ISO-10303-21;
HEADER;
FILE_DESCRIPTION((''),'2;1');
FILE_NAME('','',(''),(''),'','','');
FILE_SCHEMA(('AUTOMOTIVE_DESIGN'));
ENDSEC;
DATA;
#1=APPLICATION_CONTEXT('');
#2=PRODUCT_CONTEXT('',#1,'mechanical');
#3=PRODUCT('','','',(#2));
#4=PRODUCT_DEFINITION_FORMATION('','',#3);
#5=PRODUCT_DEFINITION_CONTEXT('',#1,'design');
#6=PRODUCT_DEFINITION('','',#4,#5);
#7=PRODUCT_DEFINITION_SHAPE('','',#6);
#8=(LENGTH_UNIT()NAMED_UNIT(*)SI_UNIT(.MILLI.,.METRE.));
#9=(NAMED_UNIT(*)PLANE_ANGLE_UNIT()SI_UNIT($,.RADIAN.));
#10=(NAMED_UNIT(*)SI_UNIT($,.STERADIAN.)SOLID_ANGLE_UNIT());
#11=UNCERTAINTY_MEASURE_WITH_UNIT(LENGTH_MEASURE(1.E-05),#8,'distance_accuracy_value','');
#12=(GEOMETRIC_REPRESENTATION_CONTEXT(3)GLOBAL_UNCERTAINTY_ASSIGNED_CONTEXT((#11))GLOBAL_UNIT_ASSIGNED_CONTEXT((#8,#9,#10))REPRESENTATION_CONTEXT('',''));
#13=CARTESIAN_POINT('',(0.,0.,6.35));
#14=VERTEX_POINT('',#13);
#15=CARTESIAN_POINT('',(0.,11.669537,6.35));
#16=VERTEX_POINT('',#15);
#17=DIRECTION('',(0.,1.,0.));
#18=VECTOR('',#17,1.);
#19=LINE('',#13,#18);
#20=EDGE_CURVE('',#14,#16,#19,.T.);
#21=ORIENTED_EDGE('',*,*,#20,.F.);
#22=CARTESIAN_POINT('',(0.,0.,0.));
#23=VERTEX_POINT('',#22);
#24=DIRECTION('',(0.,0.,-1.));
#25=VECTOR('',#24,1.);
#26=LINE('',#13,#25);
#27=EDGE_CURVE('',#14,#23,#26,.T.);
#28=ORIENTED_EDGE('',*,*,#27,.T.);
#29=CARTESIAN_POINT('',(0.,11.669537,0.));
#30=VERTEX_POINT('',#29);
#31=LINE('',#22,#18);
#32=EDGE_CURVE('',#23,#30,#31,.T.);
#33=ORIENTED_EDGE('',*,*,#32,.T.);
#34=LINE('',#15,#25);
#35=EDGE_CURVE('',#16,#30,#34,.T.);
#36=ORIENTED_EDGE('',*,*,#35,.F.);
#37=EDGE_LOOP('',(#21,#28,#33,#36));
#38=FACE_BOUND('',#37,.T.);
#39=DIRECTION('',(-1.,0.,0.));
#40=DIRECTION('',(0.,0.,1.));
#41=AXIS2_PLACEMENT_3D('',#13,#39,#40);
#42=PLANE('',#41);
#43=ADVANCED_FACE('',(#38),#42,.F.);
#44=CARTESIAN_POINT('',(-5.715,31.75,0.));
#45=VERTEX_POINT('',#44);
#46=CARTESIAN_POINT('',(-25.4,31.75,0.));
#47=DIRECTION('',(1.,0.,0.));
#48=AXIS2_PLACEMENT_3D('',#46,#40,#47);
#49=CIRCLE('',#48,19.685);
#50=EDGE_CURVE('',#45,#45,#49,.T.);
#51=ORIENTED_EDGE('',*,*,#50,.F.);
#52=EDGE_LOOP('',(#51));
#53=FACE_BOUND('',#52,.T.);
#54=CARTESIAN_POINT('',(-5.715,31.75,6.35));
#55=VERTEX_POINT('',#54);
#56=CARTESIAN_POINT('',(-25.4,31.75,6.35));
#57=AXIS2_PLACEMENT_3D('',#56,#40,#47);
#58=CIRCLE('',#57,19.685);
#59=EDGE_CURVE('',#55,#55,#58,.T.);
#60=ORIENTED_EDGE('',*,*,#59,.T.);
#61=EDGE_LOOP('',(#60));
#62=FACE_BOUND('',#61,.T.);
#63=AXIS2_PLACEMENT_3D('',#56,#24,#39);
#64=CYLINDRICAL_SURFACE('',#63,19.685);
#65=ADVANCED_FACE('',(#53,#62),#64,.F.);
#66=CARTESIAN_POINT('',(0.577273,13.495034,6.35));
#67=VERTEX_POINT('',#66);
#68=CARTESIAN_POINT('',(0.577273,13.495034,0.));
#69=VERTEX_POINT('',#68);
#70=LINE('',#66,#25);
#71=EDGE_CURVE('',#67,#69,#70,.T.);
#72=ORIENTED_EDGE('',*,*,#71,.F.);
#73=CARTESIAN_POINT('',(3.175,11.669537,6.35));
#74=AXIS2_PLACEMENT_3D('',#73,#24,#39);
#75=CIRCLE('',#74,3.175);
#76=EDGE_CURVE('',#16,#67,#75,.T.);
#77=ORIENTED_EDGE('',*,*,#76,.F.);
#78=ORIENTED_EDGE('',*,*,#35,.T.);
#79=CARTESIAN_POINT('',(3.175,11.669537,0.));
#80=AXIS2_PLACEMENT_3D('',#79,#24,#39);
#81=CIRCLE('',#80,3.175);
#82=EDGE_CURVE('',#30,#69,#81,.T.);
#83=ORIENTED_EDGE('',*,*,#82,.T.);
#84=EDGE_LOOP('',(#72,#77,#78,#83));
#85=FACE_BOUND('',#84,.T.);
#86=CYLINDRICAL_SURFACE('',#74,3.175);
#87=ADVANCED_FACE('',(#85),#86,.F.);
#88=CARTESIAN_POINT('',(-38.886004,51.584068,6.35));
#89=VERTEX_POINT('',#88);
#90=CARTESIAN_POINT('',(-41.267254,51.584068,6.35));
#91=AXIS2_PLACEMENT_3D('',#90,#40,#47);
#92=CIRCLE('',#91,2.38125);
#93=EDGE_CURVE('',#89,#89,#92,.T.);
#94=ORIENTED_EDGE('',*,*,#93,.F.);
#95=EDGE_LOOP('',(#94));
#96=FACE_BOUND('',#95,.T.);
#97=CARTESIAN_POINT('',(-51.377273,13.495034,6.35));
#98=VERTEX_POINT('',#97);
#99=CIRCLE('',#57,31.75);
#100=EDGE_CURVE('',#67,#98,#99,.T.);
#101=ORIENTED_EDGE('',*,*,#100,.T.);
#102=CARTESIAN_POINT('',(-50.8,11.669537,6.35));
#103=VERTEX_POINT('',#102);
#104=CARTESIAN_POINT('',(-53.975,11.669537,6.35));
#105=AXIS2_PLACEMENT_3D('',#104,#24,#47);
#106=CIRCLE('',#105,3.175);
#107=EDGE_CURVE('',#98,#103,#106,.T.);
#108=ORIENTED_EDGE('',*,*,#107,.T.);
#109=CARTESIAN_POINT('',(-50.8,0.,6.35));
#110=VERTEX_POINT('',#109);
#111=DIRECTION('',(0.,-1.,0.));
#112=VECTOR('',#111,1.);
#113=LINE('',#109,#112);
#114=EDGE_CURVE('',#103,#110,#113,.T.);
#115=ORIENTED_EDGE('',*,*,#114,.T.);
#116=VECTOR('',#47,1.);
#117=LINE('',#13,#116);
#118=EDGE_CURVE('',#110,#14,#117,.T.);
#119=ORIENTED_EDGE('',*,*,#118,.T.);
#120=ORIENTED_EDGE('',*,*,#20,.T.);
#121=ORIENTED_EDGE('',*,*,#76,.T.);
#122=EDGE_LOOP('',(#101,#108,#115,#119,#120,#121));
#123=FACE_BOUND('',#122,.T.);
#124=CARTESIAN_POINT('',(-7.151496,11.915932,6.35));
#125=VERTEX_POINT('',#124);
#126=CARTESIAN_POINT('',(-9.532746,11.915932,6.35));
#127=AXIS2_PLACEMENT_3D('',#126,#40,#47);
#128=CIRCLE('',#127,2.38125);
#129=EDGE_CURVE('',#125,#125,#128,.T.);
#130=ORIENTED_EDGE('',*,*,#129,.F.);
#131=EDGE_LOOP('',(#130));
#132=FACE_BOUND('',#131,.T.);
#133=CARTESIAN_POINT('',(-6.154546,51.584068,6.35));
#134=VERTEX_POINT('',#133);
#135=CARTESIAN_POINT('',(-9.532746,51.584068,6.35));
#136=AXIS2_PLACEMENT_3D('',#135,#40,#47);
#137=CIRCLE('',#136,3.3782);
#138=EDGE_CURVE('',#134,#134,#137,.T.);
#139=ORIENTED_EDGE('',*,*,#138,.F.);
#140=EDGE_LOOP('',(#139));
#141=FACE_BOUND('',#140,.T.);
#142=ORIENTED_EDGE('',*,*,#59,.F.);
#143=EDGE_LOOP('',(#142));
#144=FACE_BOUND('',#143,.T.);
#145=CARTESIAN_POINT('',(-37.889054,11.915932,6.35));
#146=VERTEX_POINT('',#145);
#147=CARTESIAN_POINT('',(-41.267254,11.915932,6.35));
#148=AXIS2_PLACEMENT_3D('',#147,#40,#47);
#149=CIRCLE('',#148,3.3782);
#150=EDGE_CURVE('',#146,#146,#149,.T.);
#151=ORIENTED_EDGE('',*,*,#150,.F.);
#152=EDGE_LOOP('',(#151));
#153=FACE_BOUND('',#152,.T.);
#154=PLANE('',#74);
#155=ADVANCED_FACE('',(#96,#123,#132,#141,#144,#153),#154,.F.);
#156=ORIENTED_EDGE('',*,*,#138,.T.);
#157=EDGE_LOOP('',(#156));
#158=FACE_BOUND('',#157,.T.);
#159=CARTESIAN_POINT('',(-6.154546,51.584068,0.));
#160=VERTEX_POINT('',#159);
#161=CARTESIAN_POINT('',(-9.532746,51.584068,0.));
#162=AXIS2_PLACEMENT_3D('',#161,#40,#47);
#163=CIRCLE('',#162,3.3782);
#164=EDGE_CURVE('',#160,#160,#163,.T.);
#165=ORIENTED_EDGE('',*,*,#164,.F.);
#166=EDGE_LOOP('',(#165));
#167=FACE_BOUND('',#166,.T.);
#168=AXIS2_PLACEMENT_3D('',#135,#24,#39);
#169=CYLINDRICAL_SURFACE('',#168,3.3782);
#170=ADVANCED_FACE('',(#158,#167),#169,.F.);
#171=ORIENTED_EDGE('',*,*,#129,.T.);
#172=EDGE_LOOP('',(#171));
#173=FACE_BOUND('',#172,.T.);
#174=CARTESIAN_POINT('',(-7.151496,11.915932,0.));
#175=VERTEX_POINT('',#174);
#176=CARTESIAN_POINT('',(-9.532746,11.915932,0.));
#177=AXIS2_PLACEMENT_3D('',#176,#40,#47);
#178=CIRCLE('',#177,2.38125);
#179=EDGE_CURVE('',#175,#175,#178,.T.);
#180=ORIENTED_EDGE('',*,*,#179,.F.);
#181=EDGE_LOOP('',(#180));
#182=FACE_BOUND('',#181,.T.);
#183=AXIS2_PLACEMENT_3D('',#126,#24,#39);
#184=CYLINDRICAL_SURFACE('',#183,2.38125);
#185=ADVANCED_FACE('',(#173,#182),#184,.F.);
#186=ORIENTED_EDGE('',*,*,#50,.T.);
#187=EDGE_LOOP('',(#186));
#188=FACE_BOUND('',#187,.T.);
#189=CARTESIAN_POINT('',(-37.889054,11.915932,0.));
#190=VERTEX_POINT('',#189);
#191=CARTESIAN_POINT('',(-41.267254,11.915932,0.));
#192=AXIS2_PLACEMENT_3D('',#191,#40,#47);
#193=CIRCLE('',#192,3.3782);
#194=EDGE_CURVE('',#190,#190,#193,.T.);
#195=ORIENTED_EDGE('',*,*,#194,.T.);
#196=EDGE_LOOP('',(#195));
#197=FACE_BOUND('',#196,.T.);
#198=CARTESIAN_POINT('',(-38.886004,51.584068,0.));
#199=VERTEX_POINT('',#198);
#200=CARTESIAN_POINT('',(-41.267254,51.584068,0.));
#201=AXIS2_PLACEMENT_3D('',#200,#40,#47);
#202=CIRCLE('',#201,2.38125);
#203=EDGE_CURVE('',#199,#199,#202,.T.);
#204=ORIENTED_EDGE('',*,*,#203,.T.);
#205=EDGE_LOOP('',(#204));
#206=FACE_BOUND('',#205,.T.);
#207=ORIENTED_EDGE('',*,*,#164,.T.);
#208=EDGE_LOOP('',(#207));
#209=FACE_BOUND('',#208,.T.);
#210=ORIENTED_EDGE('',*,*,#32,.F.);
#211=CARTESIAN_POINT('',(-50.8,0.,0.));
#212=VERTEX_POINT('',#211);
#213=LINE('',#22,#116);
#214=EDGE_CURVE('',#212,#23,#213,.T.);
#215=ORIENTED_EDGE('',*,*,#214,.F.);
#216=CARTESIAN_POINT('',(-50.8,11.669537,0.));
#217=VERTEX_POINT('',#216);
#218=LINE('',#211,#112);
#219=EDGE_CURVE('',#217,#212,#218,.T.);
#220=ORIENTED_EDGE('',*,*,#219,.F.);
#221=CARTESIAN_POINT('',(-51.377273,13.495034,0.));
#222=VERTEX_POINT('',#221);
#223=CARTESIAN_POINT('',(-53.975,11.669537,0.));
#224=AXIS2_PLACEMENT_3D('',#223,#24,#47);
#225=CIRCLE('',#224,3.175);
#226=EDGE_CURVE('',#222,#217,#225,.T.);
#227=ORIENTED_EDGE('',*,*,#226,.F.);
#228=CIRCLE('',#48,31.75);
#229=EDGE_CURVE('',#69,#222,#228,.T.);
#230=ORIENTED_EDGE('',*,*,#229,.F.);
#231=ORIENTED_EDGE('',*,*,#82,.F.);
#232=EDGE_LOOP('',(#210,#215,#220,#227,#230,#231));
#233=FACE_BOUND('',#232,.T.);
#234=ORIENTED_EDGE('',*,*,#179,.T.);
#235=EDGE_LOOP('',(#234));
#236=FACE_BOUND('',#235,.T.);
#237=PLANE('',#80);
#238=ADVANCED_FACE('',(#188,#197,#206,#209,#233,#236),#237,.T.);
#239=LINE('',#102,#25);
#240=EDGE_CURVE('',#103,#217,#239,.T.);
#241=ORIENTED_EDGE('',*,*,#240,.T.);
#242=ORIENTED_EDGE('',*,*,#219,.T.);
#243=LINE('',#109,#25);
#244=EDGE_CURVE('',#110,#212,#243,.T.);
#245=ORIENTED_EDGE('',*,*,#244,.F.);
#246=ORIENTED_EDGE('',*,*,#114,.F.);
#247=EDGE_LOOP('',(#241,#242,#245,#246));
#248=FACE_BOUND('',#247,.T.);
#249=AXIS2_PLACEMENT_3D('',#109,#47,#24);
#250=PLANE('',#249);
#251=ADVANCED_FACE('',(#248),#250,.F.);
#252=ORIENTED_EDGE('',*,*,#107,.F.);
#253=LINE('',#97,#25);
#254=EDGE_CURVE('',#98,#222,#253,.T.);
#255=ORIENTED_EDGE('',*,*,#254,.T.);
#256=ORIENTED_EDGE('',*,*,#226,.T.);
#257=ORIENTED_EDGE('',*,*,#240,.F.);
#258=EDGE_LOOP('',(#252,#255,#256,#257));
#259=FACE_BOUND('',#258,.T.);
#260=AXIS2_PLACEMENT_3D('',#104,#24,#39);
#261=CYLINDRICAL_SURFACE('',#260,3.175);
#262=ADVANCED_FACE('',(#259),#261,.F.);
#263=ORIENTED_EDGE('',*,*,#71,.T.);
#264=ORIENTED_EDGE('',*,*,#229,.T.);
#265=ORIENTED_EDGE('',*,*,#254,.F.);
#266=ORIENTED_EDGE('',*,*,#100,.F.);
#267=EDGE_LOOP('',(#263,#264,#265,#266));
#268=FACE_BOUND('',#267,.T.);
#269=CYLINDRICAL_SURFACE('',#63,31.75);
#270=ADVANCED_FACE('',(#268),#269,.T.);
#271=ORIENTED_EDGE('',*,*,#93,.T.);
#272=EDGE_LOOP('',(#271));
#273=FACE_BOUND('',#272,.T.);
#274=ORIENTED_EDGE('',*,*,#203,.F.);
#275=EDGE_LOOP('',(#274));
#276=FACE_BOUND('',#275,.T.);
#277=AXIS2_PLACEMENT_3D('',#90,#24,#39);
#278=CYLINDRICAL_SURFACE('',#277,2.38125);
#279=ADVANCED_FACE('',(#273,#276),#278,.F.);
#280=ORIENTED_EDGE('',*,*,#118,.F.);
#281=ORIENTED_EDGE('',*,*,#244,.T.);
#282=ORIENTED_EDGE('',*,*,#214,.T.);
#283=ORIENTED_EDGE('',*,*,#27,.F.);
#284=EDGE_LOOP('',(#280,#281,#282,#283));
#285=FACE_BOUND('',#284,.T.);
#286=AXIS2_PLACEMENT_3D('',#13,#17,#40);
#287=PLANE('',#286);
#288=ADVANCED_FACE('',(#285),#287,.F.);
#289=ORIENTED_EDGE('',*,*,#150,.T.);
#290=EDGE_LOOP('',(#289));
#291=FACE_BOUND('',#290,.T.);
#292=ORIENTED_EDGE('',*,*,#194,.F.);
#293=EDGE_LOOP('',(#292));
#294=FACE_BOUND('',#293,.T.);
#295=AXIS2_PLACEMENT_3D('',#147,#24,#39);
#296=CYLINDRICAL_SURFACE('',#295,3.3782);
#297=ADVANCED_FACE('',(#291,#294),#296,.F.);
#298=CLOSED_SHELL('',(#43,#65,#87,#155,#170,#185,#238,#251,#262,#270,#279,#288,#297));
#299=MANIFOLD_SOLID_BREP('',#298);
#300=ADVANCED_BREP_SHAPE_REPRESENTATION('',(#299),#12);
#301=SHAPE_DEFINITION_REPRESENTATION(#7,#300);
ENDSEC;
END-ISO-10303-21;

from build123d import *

# Parameters (mm, degrees)
SKETCH1_R           = 19.685
SKETCH1_R_2         = 2.38125
SKETCH1_R_3         = 3.3782
BOSS_EXTRUDE1_DEPTH = 6.35


with BuildPart() as part:
    # Sketch1 → Boss-Extrude1 (new body)
    with BuildSketch(Plane.XY):
        with BuildLine():
            Line((0, 0), (-50.8, 0))
            Line((-50.8, 0), (-50.8, 11.669536858))
            ThreePointArc((-50.8, 11.669536858), (-50.947756279, 12.626835377), (-51.377272727, 13.495033507))
            ThreePointArc((-51.377272727, 13.495033507), (-25.4, 63.5), (0.577272727, 13.495033507))
            ThreePointArc((0.577272727, 13.495033507), (0.147756279, 12.626835377), (0, 11.669536858))
            Line((0, 11.669536858), (0, 0))
        make_face()
        with Locations((-25.4, 31.75)):
            Circle(SKETCH1_R, mode=Mode.SUBTRACT)
        with Locations((-41.267254208, 51.58406776)):
            Circle(SKETCH1_R_2, mode=Mode.SUBTRACT)
        with Locations((-9.532745792, 51.58406776)):
            Circle(SKETCH1_R_3, mode=Mode.SUBTRACT)
        with Locations((-9.532745792, 11.91593224)):
            Circle(SKETCH1_R_2, mode=Mode.SUBTRACT)
        with Locations((-41.267254208, 11.91593224)):
            Circle(SKETCH1_R_3, mode=Mode.SUBTRACT)
    extrude(amount=BOSS_EXTRUDE1_DEPTH)


solid = part.part
